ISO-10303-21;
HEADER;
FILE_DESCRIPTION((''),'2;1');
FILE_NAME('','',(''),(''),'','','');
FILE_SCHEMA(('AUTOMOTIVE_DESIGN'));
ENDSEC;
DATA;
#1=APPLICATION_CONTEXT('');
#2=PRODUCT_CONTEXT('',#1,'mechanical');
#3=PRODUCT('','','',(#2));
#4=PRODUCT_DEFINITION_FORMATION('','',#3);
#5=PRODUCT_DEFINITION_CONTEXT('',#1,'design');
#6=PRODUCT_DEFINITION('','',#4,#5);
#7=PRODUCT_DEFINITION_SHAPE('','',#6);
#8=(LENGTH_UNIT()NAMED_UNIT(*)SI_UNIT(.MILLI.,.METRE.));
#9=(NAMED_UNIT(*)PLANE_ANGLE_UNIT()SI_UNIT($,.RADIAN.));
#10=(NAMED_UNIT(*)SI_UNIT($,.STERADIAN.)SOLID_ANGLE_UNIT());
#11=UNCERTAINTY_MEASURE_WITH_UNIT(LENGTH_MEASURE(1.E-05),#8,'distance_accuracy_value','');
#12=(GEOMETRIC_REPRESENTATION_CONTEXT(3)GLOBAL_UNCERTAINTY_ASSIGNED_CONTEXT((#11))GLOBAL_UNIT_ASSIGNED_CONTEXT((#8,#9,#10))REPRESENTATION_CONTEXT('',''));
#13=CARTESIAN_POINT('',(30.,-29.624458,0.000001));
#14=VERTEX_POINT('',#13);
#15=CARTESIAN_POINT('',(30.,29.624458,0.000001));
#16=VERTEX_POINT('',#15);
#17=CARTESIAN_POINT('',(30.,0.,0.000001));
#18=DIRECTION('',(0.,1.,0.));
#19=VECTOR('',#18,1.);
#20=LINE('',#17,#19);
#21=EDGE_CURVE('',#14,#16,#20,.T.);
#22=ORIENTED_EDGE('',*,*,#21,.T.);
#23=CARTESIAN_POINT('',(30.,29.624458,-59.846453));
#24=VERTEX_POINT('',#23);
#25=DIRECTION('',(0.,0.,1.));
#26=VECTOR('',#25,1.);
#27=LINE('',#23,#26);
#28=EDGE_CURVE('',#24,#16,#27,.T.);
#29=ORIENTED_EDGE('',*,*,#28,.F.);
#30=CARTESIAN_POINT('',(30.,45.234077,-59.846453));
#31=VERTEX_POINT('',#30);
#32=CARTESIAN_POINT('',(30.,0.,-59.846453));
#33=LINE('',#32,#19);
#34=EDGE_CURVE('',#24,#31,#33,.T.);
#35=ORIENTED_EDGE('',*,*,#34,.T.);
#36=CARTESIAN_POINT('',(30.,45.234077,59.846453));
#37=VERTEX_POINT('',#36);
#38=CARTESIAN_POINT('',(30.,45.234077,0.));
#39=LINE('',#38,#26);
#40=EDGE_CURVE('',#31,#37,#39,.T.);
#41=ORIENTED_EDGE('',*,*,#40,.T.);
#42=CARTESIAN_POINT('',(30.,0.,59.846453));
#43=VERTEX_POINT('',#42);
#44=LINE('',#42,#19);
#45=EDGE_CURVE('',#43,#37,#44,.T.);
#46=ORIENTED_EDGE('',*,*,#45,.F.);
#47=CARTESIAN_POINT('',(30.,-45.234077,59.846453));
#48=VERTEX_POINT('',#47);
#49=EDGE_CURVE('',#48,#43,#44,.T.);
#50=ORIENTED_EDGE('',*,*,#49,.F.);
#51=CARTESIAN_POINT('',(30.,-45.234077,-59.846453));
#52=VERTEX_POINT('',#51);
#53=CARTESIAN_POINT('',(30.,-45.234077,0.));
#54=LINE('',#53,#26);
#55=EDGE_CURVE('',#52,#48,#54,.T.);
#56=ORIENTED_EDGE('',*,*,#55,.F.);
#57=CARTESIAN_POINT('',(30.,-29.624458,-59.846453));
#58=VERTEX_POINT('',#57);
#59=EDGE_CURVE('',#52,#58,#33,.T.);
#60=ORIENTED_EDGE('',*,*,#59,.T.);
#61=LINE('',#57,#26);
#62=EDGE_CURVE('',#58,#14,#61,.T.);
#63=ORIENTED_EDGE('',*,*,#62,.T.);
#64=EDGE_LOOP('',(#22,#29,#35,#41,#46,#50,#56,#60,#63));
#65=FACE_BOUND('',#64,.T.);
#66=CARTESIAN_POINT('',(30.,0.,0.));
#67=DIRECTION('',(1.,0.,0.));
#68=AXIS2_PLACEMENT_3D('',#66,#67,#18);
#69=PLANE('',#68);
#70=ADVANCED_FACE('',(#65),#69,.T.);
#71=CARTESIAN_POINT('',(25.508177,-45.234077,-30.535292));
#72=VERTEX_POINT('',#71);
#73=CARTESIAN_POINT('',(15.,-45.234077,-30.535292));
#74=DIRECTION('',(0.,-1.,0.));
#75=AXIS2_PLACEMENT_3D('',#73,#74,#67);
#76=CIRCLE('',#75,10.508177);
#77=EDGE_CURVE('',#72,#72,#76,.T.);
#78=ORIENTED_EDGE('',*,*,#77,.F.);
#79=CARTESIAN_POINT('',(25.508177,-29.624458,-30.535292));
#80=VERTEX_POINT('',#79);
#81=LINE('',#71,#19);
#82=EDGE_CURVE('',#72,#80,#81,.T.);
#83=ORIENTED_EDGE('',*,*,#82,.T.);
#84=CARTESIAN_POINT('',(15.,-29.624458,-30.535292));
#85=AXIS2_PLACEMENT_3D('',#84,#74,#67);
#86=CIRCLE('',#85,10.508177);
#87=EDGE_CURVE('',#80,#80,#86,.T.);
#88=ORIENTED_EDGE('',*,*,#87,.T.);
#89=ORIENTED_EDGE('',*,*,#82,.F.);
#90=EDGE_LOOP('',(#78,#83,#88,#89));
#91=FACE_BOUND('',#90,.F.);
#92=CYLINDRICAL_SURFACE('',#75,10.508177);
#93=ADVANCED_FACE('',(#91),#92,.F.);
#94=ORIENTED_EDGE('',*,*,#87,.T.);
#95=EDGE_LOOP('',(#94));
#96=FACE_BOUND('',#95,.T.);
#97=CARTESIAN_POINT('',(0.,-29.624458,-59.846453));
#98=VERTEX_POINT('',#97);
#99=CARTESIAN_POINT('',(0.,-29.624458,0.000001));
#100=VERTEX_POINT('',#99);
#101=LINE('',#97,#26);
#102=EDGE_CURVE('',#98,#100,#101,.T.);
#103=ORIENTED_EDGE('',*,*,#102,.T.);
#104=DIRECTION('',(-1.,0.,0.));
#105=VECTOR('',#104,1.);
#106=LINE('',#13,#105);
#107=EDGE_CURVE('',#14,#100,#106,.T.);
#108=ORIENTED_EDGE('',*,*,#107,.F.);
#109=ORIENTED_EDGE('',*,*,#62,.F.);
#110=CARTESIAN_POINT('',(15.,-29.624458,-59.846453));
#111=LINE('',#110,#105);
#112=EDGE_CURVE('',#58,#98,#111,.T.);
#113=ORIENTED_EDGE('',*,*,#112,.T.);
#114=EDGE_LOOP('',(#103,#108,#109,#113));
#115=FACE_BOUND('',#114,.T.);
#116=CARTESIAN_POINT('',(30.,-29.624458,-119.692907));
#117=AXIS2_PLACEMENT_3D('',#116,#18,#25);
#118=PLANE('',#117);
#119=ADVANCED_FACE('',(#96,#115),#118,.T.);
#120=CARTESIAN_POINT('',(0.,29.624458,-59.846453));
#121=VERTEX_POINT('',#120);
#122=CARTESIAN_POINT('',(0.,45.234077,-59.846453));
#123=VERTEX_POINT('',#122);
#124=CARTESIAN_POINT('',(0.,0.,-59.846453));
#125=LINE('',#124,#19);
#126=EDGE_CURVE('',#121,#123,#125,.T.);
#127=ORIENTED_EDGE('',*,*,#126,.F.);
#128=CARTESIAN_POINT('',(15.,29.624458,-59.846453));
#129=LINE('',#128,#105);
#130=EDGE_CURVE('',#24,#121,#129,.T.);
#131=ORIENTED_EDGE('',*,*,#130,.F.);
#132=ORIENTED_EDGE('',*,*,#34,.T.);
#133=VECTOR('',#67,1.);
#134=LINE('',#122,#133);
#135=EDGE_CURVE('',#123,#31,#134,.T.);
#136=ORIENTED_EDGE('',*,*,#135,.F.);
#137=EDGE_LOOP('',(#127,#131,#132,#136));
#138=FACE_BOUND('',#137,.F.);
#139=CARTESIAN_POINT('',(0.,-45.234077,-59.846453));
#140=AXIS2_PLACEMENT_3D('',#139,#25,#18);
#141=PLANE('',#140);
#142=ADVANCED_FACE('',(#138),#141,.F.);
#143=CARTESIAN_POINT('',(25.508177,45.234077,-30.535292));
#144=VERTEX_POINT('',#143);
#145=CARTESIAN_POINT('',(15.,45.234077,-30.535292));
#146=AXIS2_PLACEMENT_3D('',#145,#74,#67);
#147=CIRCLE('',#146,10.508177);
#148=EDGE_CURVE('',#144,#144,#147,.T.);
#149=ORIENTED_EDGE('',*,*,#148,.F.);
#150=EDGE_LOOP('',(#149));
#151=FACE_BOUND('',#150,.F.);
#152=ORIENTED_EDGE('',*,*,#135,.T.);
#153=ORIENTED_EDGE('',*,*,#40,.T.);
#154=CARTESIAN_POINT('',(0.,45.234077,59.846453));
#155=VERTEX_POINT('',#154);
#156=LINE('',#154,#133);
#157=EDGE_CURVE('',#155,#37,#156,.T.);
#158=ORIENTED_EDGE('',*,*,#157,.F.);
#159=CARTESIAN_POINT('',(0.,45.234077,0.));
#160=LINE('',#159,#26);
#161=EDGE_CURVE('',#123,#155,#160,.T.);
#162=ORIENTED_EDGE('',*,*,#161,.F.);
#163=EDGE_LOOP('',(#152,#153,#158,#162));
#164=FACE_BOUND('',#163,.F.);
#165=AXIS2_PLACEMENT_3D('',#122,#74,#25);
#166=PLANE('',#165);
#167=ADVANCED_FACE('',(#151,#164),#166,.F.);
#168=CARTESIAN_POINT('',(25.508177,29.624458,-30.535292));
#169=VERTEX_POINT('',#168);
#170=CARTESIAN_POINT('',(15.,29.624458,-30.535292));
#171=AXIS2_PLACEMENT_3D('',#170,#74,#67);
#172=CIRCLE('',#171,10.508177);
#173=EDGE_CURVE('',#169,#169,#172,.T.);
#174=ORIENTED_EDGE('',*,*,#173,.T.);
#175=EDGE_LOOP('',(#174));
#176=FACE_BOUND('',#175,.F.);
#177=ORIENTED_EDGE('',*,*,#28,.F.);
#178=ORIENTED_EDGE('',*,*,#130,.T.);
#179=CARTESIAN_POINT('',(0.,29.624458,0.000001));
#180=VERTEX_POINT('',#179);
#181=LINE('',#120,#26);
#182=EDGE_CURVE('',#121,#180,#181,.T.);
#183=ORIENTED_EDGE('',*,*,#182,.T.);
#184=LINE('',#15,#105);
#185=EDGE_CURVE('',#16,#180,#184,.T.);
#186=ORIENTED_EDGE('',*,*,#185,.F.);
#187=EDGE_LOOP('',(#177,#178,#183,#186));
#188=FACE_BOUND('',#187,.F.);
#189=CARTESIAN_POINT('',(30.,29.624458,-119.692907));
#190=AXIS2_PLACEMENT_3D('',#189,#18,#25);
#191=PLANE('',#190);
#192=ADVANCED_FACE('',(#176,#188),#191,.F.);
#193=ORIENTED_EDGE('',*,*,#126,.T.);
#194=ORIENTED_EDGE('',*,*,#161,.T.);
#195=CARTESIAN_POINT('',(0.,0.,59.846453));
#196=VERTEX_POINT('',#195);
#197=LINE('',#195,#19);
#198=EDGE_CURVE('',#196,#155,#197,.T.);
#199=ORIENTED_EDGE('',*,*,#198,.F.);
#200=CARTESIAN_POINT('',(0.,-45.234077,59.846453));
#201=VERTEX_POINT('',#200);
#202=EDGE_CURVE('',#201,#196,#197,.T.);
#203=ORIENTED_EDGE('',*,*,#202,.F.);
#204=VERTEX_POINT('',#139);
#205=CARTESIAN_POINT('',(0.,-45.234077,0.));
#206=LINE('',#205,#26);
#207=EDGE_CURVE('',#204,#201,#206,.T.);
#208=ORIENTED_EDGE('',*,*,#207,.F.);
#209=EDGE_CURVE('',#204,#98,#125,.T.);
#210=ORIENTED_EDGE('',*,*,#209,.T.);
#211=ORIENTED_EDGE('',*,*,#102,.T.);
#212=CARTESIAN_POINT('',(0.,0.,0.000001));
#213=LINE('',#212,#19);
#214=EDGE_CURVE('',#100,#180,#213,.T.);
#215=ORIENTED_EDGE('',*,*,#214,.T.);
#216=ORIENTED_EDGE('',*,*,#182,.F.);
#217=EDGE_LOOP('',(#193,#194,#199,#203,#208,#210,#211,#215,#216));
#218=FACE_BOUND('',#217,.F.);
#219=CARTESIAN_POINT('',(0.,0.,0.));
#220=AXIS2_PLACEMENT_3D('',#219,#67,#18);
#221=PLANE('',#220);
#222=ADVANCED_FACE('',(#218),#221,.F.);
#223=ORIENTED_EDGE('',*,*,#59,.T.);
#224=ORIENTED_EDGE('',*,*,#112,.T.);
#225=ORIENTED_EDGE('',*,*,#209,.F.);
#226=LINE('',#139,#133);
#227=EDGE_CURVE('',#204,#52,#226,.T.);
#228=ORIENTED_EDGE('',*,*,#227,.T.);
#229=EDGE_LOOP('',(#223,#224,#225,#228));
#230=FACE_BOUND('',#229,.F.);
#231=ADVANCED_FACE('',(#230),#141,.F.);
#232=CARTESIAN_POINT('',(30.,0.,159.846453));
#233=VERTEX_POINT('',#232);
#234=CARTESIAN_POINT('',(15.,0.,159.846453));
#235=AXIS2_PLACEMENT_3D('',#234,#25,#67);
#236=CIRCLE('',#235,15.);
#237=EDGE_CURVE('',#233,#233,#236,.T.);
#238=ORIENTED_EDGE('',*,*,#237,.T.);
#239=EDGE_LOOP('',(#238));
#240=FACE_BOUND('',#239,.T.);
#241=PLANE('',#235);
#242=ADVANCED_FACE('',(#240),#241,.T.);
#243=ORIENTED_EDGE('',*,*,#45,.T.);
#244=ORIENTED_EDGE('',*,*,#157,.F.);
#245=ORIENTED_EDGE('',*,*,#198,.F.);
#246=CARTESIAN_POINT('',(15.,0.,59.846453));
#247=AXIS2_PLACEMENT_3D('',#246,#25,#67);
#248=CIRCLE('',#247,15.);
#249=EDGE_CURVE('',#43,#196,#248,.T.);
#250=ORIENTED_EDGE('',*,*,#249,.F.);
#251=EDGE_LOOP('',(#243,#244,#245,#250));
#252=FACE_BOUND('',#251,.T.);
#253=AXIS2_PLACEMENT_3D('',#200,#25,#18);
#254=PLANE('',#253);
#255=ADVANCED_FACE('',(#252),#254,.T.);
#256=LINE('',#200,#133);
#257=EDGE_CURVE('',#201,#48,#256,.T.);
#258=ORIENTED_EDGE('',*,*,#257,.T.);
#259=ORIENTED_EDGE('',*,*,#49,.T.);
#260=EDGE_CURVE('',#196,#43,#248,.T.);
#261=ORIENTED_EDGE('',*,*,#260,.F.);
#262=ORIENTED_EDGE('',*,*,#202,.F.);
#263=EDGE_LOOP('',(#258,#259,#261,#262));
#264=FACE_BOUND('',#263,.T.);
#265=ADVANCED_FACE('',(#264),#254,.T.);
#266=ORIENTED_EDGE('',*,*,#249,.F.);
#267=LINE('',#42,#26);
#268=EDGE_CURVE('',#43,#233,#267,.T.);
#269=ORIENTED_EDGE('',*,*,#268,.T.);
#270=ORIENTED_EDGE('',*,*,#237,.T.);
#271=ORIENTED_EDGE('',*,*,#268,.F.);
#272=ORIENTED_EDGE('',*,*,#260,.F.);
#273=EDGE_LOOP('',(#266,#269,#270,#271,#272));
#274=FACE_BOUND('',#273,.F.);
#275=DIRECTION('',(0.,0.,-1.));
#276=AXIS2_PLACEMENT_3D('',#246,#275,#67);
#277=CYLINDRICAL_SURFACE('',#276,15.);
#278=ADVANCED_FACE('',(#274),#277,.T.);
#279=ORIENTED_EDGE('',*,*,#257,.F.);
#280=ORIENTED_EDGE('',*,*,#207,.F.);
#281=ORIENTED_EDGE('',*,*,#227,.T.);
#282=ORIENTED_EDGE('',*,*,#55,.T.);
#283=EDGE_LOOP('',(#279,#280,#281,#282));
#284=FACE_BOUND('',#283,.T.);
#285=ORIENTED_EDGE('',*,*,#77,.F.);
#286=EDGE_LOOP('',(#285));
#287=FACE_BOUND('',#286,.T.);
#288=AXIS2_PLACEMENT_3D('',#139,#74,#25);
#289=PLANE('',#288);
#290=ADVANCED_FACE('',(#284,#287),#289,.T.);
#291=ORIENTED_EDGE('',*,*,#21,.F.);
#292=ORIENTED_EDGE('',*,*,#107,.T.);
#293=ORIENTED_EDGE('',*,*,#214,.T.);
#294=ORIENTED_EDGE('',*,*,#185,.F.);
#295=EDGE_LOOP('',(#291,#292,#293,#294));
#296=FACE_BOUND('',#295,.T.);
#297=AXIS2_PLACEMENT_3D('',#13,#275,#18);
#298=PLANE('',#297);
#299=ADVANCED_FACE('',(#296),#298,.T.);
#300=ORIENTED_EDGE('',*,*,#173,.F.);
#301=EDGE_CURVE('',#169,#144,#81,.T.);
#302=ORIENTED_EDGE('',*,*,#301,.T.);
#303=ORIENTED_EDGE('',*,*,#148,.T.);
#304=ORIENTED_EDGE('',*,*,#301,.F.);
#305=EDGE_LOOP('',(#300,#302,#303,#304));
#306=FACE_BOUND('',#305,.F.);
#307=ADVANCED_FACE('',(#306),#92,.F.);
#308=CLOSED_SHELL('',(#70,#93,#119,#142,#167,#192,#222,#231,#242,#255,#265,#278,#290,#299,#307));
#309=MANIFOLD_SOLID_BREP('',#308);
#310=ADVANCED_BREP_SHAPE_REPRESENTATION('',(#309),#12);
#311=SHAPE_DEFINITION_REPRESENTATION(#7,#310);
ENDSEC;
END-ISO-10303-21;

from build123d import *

# Parameters (mm, degrees)
F0_W     = 90.468154
F0_H     = 119.692906
F1_DEPTH = 30
F2_W     = 59.248916
F2_H     = 119.692907
F3_DEPTH = 30
F4_R     = 15
F5_DEPTH = 100
F6_R     = 10.508177
F7_DEPTH = 100


with BuildPart() as f1:
    # F0 (on Right) → F1 (new body)
    with BuildSketch(Plane.YZ):
        Rectangle(F0_W, F0_H)
    extrude(amount=F1_DEPTH)

    # F2 (on face) → F3 (cut)
    with BuildSketch(Plane.YZ.offset(30)):
        with Locations((0, -59.846453)):
            Rectangle(F2_W, F2_H)
    extrude(amount=-F3_DEPTH, mode=Mode.SUBTRACT)

    # F4 (on face) → F5 (join)
    with BuildSketch(Plane.XY.offset(59.846453)):
        with Locations((15, 0)):
            Circle(F4_R)
    extrude(amount=F5_DEPTH)

    # F6 (on face) → F7 (cut)
    with BuildSketch(Plane.XZ.offset(45.234077)):
        with Locations((15, -30.535292)):
            Circle(F6_R)
    extrude(amount=-F7_DEPTH, mode=Mode.SUBTRACT)


solid = f1.part
